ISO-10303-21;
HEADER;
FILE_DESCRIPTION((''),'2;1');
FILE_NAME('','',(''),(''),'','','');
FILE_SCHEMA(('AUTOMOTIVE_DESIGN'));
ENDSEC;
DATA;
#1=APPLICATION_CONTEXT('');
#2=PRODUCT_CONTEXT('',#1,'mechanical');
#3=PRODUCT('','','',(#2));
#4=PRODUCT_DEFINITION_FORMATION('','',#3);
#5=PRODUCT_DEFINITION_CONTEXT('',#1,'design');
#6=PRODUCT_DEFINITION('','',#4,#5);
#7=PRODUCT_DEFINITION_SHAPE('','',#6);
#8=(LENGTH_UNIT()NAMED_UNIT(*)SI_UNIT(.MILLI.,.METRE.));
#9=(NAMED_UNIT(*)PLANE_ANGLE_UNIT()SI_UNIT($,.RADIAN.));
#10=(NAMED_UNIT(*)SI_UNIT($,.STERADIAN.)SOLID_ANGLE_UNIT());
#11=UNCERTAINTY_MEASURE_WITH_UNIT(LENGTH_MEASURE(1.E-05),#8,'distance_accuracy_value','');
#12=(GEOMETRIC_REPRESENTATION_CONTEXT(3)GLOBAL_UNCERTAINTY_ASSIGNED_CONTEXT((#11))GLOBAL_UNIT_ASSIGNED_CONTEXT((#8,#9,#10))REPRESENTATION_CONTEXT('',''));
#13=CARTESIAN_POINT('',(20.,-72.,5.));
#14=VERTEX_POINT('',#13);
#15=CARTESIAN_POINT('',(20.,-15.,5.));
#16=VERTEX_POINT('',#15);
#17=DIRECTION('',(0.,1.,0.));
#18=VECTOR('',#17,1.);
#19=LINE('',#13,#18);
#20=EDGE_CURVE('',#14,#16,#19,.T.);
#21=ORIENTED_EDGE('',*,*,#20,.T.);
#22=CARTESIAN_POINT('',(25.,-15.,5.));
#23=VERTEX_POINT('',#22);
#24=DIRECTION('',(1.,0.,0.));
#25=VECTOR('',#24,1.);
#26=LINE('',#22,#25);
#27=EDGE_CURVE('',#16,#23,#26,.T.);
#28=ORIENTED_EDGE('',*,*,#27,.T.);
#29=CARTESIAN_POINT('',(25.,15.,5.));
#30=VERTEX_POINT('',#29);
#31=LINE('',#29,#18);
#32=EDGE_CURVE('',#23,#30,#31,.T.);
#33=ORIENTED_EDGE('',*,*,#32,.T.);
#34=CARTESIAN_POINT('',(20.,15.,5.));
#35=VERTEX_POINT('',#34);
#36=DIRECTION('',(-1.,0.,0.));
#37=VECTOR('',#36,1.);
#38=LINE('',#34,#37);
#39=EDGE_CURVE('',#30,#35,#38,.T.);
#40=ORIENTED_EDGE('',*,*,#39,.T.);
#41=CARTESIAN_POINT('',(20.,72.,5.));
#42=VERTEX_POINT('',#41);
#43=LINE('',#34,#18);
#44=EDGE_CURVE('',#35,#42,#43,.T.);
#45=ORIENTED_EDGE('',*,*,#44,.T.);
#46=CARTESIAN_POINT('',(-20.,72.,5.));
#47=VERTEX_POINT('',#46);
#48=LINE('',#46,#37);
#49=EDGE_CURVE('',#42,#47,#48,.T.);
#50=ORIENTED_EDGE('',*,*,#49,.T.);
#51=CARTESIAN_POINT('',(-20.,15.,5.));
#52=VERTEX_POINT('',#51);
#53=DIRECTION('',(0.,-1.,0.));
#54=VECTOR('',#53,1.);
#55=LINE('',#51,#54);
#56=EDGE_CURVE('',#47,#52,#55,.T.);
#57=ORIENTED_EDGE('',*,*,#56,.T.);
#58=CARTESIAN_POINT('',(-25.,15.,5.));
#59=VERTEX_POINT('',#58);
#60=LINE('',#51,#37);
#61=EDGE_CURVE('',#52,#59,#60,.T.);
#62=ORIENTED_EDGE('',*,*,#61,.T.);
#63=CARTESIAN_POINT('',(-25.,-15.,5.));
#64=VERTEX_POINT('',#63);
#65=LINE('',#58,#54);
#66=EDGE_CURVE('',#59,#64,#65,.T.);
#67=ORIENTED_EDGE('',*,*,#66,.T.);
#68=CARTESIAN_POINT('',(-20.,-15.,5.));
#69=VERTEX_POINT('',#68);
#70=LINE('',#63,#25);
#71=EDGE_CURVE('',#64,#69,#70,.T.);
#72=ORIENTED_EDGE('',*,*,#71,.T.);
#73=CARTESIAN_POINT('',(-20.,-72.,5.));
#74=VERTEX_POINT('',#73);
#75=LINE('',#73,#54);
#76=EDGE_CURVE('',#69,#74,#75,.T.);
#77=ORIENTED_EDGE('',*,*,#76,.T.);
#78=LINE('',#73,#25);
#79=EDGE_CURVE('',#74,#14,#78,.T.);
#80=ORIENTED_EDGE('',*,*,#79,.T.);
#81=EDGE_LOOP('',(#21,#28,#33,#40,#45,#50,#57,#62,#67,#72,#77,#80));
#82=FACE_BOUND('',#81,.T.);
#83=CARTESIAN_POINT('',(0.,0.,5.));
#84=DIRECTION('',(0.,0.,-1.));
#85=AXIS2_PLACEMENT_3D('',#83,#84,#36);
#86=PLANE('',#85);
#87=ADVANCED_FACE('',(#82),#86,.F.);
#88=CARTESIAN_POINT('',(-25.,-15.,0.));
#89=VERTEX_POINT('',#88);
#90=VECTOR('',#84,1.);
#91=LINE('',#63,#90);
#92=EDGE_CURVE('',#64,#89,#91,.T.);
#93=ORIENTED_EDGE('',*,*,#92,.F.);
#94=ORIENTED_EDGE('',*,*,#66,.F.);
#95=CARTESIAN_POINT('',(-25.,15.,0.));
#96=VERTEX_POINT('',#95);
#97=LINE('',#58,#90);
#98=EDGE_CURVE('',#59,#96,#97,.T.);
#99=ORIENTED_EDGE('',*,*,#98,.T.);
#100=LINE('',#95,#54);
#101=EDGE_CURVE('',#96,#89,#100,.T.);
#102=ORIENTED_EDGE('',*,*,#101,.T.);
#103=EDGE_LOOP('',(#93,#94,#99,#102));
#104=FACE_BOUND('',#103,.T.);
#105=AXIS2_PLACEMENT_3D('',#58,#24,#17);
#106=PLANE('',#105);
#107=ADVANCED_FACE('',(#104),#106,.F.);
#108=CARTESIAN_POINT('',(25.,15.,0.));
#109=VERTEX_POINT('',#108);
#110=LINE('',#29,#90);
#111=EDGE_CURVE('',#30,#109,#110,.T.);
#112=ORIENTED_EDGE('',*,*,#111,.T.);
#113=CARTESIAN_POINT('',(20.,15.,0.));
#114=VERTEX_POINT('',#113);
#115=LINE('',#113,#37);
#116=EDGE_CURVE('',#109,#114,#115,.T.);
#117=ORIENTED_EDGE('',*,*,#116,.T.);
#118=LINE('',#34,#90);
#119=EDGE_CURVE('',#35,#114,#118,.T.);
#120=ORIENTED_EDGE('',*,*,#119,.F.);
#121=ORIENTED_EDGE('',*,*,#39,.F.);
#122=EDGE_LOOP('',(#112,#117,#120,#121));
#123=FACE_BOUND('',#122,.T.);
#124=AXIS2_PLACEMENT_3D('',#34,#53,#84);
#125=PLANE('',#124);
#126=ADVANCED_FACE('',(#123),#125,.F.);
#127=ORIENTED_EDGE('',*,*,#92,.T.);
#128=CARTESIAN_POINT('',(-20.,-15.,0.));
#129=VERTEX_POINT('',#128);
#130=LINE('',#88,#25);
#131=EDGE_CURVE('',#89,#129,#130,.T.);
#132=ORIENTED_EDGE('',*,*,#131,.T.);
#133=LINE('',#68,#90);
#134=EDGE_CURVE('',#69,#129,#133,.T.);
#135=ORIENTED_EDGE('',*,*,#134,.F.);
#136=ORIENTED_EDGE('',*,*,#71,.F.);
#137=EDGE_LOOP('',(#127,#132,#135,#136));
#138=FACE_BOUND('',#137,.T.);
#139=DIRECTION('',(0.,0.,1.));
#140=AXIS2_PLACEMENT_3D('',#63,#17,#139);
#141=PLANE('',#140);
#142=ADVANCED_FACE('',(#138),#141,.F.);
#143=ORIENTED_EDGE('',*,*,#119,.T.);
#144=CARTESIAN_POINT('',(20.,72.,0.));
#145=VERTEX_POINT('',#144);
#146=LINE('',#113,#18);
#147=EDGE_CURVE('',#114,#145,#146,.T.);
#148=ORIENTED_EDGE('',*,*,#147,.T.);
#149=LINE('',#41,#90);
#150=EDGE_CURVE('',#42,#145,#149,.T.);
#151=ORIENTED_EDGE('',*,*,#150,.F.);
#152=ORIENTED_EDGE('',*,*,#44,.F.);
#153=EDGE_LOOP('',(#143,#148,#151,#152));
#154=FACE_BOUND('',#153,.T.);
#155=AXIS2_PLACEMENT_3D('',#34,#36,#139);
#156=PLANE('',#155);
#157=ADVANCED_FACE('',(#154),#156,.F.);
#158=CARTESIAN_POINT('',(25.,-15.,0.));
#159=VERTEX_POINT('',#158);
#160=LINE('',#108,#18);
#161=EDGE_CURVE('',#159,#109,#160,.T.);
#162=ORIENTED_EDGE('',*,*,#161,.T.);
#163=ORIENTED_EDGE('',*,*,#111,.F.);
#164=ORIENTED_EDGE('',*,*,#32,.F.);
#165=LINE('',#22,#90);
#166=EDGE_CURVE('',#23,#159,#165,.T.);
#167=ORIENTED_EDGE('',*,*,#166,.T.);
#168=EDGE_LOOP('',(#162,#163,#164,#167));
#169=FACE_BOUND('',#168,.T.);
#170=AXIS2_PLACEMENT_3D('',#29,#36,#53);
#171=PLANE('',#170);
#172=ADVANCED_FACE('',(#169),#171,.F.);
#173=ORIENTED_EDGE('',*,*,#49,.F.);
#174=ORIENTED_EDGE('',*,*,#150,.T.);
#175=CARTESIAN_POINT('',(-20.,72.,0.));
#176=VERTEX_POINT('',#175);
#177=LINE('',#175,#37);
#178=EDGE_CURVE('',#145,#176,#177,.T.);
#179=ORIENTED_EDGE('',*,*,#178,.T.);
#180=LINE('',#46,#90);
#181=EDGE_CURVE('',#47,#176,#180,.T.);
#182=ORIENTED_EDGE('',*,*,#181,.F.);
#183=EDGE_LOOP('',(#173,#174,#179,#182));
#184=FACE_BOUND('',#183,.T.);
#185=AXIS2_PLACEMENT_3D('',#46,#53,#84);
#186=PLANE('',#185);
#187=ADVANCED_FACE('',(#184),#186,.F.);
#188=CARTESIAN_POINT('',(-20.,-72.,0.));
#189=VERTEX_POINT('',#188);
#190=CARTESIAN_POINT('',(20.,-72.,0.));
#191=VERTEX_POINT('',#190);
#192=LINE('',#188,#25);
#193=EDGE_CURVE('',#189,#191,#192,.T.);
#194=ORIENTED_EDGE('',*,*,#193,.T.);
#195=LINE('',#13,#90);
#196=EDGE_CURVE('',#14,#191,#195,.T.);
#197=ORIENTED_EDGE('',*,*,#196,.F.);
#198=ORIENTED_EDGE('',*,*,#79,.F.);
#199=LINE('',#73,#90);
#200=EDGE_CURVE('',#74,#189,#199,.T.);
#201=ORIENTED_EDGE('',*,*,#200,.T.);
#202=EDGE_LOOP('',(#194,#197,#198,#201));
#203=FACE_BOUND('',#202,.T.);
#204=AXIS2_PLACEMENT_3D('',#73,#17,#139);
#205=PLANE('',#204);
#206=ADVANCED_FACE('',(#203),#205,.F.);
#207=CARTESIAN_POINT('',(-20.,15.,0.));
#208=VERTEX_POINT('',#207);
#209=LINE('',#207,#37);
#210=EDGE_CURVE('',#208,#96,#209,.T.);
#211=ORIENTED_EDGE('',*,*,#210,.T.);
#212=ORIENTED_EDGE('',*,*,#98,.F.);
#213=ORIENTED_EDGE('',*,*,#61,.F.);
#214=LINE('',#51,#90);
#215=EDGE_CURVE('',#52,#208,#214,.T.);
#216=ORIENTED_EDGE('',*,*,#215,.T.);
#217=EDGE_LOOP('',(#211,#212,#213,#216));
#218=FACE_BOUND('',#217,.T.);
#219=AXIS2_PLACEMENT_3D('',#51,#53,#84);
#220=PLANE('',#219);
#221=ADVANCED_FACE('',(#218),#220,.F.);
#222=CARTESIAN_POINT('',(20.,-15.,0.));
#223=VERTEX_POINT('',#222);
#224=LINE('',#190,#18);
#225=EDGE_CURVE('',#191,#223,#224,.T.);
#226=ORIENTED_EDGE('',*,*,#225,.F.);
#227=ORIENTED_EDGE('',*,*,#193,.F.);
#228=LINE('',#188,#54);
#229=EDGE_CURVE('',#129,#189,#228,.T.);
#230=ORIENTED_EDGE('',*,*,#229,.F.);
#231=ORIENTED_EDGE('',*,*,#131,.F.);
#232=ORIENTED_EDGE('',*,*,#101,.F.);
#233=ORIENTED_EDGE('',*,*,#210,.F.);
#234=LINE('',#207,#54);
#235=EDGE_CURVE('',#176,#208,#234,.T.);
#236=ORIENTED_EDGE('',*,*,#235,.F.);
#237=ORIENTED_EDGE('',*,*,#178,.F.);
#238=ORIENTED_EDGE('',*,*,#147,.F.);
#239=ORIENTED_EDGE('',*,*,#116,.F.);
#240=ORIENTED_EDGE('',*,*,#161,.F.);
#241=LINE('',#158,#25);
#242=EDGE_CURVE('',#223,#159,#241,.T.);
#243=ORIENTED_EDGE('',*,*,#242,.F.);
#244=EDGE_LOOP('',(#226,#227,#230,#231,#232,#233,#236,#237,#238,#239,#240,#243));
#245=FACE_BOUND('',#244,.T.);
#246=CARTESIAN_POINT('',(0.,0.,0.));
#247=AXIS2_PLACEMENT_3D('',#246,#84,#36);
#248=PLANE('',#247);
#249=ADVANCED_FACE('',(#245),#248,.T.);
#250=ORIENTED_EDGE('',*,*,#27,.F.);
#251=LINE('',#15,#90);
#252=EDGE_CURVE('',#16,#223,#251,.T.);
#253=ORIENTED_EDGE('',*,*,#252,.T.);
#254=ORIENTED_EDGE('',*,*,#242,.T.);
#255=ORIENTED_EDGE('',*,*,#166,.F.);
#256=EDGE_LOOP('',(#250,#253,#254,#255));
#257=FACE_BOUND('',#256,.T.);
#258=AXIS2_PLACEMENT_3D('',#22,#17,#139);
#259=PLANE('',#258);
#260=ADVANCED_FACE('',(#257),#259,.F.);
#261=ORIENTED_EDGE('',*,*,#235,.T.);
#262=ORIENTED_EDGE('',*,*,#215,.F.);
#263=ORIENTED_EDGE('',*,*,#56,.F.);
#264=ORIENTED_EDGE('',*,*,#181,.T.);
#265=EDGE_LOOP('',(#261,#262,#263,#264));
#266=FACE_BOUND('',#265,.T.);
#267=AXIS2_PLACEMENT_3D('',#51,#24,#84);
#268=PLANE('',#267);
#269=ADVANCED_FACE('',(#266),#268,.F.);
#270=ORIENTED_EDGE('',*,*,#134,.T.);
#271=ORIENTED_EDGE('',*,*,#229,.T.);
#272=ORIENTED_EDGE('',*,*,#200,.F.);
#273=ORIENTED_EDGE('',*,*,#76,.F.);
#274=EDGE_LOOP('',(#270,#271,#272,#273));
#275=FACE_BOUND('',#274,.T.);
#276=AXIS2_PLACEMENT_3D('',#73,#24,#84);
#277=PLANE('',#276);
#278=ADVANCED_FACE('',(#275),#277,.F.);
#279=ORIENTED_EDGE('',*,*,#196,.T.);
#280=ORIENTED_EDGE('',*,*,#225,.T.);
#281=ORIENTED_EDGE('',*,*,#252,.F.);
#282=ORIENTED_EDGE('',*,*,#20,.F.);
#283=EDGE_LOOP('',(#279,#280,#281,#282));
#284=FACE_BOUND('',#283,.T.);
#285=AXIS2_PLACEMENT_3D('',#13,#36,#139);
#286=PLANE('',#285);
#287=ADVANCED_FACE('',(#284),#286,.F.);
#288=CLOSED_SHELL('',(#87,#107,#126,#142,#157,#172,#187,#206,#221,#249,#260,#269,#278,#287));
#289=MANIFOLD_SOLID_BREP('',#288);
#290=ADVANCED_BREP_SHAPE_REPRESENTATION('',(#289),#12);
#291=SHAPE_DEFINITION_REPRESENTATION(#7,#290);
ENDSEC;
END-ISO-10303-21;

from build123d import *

# Parameters (mm, degrees)
BOSS_EXTRUDE1_DEPTH = 5


with BuildPart() as part:
    # Sketch1 → Boss-Extrude1 (new body)
    with BuildSketch(Plane.XY):
        Polygon((-20, -72), (20, -72), (20, -15), (25, -15), (25, 15), (20, 15), (20, 72), (-20, 72), (-20, 15), (-25, 15), (-25, -15), (-20, -15), align=None)
    extrude(amount=BOSS_EXTRUDE1_DEPTH)


solid = part.part
